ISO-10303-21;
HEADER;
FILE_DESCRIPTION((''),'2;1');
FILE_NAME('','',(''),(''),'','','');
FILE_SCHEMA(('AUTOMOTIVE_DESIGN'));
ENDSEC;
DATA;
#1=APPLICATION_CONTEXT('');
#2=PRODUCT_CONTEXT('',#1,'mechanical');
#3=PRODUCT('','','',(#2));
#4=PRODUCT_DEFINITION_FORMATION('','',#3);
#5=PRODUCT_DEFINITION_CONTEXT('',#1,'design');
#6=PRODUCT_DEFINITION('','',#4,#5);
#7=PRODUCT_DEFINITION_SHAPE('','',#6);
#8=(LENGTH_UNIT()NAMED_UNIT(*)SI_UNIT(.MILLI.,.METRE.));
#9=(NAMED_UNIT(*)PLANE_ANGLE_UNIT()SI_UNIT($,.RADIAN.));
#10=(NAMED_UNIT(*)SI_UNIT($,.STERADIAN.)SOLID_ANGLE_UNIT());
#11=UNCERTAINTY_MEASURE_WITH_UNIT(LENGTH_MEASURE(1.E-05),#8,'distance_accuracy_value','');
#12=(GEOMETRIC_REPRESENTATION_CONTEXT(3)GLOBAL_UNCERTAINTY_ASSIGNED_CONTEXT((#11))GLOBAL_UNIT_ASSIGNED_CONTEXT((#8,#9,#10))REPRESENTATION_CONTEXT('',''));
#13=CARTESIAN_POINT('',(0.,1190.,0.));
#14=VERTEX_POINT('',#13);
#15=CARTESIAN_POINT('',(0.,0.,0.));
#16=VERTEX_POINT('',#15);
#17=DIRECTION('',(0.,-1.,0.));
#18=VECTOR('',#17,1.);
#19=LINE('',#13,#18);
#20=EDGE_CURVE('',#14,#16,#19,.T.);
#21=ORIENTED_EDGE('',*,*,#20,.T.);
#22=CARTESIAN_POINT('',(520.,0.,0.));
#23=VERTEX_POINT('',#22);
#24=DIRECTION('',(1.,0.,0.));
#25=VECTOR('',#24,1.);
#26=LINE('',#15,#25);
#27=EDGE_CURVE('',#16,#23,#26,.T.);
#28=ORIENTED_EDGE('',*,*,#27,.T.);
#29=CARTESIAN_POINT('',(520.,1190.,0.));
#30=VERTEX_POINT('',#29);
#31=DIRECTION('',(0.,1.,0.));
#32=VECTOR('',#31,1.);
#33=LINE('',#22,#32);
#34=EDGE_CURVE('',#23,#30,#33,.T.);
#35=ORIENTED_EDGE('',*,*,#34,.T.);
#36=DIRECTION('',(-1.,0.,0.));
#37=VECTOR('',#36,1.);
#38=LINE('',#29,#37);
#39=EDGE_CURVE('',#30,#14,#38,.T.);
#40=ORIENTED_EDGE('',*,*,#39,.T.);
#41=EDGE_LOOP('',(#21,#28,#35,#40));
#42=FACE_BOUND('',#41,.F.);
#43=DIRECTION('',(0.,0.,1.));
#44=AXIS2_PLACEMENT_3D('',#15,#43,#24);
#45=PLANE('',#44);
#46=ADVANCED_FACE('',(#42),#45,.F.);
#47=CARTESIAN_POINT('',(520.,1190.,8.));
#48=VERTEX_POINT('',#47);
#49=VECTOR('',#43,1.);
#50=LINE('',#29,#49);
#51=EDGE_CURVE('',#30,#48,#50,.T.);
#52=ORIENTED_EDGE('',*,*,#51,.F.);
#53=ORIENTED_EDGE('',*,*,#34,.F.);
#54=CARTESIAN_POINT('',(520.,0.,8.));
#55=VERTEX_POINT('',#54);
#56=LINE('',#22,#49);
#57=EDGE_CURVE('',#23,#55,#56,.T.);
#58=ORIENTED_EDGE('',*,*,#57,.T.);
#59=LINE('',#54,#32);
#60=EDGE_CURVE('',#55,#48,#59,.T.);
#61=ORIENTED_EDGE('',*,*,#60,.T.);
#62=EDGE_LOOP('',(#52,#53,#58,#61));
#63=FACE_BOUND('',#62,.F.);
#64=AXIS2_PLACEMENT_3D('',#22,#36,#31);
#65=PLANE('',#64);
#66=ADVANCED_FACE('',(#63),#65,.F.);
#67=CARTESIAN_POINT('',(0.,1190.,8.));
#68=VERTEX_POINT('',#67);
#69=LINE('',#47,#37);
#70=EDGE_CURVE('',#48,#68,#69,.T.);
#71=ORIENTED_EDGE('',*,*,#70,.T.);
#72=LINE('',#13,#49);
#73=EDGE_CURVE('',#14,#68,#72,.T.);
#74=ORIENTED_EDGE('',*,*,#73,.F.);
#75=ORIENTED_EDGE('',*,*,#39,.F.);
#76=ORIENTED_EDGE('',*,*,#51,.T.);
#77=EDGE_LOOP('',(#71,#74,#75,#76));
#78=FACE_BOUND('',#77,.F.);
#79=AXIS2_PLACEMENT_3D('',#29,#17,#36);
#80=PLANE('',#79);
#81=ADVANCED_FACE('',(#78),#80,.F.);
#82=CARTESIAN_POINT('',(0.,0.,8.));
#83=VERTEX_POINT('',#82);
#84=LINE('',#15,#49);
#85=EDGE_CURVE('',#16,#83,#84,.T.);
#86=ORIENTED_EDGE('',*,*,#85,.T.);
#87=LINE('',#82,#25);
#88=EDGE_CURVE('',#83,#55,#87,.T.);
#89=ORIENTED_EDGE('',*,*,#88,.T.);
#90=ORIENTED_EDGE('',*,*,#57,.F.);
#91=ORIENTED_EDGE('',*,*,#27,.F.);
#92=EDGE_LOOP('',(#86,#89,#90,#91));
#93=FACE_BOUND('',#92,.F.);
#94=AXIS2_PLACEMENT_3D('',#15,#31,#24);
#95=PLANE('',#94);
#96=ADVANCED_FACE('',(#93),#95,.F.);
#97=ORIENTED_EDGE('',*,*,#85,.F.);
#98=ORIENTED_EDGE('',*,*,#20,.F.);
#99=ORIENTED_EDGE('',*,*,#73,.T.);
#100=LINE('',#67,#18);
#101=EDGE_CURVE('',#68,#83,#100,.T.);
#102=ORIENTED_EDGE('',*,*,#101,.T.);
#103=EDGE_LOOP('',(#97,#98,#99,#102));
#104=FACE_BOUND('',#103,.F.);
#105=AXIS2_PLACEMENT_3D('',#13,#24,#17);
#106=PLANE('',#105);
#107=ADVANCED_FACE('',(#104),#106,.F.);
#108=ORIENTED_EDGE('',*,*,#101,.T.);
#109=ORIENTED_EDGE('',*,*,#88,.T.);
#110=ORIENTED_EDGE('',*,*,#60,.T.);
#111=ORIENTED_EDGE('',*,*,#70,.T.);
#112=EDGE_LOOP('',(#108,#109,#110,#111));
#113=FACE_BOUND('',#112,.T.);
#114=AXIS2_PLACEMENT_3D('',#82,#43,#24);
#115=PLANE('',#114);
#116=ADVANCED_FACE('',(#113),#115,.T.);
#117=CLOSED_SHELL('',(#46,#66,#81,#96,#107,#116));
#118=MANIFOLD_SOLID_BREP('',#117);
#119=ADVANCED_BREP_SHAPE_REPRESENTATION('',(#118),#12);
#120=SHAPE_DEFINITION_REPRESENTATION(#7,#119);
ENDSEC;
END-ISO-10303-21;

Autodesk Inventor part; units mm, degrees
ref_plane "YZ Plane" through (0, 0, 0) normal (1, 0, 0) x (0, 1, 0)
ref_plane "XZ Plane" through (0, 0, 0) normal (0, 1, 0) x (-1, 0, 0)
ref_plane "XY Plane" through (0, 0, 0) normal (0, 0, 1) x (1, 0, 0)
sketch "Sketch1" plane through (0, 0, 0) normal (0, 0, 1) x (1, 0, 0)
  line L0 (0, 0) -> (520, 0)
  line L1 (520, 0) -> (520, 1190)
  line L2 (520, 1190) -> (0, 1190)
  line L3 (0, 1190) -> (0, 0)
  dimension "d0" = 1190
  dimension "d1" = 520
extrude "Extrusion1" add sketch "Sketch1" along normal blind 8
properties part number "rueckteil"
